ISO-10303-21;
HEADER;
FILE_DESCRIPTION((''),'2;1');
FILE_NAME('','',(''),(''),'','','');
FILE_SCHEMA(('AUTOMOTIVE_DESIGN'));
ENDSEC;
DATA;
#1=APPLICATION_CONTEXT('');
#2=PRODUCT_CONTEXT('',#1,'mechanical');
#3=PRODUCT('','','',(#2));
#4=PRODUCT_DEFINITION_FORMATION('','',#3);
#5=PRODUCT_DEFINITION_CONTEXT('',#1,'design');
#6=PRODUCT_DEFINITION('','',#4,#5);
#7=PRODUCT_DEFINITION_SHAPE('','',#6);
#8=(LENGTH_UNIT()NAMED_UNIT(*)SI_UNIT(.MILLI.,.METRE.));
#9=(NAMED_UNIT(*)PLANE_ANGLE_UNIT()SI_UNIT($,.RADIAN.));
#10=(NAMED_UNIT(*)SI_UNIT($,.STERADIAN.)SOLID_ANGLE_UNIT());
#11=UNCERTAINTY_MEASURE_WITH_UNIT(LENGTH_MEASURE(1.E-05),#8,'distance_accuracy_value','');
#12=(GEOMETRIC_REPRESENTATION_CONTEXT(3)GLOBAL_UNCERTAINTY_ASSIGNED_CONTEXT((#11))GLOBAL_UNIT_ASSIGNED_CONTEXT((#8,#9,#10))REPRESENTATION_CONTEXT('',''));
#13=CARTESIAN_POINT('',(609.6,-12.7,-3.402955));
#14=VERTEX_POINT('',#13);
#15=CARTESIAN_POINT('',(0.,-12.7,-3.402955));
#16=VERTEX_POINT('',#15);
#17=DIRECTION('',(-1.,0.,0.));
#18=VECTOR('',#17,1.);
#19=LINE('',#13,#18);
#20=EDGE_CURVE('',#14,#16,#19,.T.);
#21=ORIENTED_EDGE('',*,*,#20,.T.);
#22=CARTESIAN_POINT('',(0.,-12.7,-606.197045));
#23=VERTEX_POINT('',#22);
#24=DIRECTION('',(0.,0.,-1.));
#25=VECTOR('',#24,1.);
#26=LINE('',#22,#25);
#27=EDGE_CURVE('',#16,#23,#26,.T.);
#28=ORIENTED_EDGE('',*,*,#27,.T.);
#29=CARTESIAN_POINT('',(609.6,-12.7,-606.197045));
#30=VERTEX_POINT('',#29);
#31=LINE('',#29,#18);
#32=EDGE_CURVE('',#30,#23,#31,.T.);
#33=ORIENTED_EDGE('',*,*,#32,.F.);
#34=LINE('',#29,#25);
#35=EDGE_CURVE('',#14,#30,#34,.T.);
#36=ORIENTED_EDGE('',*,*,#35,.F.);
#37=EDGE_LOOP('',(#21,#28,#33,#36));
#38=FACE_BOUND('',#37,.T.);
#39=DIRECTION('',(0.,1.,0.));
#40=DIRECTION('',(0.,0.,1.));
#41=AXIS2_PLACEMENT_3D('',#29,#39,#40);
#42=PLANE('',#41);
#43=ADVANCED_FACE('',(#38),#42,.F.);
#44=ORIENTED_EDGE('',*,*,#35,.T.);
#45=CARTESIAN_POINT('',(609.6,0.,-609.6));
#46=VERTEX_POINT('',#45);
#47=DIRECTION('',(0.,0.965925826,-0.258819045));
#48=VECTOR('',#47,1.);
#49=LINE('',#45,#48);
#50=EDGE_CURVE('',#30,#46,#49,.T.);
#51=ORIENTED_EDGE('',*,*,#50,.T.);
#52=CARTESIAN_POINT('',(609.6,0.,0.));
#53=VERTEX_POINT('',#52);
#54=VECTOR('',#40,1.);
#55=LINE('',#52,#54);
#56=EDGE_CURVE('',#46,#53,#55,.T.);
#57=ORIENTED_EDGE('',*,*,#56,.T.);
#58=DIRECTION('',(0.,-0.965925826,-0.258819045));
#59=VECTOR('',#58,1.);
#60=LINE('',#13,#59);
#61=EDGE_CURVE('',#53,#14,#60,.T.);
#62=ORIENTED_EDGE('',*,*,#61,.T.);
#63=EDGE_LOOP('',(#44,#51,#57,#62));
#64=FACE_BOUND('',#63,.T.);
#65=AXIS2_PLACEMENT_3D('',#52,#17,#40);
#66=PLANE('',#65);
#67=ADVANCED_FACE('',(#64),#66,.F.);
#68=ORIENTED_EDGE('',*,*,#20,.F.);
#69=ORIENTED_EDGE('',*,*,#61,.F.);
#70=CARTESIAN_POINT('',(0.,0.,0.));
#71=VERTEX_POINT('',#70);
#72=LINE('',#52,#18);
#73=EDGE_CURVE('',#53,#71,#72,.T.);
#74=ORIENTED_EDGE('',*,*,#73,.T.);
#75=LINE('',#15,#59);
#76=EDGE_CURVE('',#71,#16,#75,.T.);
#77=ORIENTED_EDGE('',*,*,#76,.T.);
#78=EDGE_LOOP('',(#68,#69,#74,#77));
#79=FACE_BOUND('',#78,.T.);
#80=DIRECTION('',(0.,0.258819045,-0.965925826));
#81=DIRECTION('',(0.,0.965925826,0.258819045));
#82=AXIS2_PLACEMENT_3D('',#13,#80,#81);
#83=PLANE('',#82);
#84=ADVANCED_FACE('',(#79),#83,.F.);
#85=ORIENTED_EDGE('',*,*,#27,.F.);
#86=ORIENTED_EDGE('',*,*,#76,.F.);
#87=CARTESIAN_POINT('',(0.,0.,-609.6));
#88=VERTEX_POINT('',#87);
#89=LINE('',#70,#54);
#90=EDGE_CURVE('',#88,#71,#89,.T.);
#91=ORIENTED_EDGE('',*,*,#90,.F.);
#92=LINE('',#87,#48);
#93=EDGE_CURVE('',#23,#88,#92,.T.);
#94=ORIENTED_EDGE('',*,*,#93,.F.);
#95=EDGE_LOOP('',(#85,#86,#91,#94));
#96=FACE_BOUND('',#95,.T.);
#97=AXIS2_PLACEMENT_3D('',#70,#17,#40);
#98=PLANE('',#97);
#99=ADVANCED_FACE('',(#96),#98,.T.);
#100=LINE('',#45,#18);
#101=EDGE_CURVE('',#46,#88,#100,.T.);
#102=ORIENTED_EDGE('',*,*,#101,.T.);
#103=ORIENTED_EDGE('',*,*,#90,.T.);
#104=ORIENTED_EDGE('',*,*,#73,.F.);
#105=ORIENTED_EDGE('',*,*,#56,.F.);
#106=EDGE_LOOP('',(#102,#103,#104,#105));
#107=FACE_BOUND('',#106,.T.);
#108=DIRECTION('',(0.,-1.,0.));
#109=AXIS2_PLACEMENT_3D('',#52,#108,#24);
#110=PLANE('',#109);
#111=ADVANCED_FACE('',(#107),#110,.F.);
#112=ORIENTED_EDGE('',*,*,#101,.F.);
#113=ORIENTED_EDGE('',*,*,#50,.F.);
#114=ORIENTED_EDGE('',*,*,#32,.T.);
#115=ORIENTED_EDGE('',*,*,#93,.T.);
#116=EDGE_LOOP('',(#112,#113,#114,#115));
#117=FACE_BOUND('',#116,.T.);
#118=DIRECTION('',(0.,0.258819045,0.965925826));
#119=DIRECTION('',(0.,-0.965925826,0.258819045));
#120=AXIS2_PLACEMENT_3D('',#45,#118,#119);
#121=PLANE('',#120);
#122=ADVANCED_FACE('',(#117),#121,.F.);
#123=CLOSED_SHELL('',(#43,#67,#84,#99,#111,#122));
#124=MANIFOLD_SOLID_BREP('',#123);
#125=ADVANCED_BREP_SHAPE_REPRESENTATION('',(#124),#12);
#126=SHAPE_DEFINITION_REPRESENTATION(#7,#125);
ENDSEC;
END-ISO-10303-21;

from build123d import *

# Parameters (mm, degrees)
BOSS_EXTRUDE1_DEPTH = 609.6


with BuildPart() as part:
    # Sketch1 → Boss-Extrude1 (new body)
    with BuildSketch(Plane(origin=(0, 0, 0), x_dir=(0, 0, -1), z_dir=(1, 0, 0))):
        Polygon((0, 0), (609.6, 0), (606.197045256, -12.7), (3.402954744, -12.7), align=None)
    extrude(amount=BOSS_EXTRUDE1_DEPTH)


solid = part.part
